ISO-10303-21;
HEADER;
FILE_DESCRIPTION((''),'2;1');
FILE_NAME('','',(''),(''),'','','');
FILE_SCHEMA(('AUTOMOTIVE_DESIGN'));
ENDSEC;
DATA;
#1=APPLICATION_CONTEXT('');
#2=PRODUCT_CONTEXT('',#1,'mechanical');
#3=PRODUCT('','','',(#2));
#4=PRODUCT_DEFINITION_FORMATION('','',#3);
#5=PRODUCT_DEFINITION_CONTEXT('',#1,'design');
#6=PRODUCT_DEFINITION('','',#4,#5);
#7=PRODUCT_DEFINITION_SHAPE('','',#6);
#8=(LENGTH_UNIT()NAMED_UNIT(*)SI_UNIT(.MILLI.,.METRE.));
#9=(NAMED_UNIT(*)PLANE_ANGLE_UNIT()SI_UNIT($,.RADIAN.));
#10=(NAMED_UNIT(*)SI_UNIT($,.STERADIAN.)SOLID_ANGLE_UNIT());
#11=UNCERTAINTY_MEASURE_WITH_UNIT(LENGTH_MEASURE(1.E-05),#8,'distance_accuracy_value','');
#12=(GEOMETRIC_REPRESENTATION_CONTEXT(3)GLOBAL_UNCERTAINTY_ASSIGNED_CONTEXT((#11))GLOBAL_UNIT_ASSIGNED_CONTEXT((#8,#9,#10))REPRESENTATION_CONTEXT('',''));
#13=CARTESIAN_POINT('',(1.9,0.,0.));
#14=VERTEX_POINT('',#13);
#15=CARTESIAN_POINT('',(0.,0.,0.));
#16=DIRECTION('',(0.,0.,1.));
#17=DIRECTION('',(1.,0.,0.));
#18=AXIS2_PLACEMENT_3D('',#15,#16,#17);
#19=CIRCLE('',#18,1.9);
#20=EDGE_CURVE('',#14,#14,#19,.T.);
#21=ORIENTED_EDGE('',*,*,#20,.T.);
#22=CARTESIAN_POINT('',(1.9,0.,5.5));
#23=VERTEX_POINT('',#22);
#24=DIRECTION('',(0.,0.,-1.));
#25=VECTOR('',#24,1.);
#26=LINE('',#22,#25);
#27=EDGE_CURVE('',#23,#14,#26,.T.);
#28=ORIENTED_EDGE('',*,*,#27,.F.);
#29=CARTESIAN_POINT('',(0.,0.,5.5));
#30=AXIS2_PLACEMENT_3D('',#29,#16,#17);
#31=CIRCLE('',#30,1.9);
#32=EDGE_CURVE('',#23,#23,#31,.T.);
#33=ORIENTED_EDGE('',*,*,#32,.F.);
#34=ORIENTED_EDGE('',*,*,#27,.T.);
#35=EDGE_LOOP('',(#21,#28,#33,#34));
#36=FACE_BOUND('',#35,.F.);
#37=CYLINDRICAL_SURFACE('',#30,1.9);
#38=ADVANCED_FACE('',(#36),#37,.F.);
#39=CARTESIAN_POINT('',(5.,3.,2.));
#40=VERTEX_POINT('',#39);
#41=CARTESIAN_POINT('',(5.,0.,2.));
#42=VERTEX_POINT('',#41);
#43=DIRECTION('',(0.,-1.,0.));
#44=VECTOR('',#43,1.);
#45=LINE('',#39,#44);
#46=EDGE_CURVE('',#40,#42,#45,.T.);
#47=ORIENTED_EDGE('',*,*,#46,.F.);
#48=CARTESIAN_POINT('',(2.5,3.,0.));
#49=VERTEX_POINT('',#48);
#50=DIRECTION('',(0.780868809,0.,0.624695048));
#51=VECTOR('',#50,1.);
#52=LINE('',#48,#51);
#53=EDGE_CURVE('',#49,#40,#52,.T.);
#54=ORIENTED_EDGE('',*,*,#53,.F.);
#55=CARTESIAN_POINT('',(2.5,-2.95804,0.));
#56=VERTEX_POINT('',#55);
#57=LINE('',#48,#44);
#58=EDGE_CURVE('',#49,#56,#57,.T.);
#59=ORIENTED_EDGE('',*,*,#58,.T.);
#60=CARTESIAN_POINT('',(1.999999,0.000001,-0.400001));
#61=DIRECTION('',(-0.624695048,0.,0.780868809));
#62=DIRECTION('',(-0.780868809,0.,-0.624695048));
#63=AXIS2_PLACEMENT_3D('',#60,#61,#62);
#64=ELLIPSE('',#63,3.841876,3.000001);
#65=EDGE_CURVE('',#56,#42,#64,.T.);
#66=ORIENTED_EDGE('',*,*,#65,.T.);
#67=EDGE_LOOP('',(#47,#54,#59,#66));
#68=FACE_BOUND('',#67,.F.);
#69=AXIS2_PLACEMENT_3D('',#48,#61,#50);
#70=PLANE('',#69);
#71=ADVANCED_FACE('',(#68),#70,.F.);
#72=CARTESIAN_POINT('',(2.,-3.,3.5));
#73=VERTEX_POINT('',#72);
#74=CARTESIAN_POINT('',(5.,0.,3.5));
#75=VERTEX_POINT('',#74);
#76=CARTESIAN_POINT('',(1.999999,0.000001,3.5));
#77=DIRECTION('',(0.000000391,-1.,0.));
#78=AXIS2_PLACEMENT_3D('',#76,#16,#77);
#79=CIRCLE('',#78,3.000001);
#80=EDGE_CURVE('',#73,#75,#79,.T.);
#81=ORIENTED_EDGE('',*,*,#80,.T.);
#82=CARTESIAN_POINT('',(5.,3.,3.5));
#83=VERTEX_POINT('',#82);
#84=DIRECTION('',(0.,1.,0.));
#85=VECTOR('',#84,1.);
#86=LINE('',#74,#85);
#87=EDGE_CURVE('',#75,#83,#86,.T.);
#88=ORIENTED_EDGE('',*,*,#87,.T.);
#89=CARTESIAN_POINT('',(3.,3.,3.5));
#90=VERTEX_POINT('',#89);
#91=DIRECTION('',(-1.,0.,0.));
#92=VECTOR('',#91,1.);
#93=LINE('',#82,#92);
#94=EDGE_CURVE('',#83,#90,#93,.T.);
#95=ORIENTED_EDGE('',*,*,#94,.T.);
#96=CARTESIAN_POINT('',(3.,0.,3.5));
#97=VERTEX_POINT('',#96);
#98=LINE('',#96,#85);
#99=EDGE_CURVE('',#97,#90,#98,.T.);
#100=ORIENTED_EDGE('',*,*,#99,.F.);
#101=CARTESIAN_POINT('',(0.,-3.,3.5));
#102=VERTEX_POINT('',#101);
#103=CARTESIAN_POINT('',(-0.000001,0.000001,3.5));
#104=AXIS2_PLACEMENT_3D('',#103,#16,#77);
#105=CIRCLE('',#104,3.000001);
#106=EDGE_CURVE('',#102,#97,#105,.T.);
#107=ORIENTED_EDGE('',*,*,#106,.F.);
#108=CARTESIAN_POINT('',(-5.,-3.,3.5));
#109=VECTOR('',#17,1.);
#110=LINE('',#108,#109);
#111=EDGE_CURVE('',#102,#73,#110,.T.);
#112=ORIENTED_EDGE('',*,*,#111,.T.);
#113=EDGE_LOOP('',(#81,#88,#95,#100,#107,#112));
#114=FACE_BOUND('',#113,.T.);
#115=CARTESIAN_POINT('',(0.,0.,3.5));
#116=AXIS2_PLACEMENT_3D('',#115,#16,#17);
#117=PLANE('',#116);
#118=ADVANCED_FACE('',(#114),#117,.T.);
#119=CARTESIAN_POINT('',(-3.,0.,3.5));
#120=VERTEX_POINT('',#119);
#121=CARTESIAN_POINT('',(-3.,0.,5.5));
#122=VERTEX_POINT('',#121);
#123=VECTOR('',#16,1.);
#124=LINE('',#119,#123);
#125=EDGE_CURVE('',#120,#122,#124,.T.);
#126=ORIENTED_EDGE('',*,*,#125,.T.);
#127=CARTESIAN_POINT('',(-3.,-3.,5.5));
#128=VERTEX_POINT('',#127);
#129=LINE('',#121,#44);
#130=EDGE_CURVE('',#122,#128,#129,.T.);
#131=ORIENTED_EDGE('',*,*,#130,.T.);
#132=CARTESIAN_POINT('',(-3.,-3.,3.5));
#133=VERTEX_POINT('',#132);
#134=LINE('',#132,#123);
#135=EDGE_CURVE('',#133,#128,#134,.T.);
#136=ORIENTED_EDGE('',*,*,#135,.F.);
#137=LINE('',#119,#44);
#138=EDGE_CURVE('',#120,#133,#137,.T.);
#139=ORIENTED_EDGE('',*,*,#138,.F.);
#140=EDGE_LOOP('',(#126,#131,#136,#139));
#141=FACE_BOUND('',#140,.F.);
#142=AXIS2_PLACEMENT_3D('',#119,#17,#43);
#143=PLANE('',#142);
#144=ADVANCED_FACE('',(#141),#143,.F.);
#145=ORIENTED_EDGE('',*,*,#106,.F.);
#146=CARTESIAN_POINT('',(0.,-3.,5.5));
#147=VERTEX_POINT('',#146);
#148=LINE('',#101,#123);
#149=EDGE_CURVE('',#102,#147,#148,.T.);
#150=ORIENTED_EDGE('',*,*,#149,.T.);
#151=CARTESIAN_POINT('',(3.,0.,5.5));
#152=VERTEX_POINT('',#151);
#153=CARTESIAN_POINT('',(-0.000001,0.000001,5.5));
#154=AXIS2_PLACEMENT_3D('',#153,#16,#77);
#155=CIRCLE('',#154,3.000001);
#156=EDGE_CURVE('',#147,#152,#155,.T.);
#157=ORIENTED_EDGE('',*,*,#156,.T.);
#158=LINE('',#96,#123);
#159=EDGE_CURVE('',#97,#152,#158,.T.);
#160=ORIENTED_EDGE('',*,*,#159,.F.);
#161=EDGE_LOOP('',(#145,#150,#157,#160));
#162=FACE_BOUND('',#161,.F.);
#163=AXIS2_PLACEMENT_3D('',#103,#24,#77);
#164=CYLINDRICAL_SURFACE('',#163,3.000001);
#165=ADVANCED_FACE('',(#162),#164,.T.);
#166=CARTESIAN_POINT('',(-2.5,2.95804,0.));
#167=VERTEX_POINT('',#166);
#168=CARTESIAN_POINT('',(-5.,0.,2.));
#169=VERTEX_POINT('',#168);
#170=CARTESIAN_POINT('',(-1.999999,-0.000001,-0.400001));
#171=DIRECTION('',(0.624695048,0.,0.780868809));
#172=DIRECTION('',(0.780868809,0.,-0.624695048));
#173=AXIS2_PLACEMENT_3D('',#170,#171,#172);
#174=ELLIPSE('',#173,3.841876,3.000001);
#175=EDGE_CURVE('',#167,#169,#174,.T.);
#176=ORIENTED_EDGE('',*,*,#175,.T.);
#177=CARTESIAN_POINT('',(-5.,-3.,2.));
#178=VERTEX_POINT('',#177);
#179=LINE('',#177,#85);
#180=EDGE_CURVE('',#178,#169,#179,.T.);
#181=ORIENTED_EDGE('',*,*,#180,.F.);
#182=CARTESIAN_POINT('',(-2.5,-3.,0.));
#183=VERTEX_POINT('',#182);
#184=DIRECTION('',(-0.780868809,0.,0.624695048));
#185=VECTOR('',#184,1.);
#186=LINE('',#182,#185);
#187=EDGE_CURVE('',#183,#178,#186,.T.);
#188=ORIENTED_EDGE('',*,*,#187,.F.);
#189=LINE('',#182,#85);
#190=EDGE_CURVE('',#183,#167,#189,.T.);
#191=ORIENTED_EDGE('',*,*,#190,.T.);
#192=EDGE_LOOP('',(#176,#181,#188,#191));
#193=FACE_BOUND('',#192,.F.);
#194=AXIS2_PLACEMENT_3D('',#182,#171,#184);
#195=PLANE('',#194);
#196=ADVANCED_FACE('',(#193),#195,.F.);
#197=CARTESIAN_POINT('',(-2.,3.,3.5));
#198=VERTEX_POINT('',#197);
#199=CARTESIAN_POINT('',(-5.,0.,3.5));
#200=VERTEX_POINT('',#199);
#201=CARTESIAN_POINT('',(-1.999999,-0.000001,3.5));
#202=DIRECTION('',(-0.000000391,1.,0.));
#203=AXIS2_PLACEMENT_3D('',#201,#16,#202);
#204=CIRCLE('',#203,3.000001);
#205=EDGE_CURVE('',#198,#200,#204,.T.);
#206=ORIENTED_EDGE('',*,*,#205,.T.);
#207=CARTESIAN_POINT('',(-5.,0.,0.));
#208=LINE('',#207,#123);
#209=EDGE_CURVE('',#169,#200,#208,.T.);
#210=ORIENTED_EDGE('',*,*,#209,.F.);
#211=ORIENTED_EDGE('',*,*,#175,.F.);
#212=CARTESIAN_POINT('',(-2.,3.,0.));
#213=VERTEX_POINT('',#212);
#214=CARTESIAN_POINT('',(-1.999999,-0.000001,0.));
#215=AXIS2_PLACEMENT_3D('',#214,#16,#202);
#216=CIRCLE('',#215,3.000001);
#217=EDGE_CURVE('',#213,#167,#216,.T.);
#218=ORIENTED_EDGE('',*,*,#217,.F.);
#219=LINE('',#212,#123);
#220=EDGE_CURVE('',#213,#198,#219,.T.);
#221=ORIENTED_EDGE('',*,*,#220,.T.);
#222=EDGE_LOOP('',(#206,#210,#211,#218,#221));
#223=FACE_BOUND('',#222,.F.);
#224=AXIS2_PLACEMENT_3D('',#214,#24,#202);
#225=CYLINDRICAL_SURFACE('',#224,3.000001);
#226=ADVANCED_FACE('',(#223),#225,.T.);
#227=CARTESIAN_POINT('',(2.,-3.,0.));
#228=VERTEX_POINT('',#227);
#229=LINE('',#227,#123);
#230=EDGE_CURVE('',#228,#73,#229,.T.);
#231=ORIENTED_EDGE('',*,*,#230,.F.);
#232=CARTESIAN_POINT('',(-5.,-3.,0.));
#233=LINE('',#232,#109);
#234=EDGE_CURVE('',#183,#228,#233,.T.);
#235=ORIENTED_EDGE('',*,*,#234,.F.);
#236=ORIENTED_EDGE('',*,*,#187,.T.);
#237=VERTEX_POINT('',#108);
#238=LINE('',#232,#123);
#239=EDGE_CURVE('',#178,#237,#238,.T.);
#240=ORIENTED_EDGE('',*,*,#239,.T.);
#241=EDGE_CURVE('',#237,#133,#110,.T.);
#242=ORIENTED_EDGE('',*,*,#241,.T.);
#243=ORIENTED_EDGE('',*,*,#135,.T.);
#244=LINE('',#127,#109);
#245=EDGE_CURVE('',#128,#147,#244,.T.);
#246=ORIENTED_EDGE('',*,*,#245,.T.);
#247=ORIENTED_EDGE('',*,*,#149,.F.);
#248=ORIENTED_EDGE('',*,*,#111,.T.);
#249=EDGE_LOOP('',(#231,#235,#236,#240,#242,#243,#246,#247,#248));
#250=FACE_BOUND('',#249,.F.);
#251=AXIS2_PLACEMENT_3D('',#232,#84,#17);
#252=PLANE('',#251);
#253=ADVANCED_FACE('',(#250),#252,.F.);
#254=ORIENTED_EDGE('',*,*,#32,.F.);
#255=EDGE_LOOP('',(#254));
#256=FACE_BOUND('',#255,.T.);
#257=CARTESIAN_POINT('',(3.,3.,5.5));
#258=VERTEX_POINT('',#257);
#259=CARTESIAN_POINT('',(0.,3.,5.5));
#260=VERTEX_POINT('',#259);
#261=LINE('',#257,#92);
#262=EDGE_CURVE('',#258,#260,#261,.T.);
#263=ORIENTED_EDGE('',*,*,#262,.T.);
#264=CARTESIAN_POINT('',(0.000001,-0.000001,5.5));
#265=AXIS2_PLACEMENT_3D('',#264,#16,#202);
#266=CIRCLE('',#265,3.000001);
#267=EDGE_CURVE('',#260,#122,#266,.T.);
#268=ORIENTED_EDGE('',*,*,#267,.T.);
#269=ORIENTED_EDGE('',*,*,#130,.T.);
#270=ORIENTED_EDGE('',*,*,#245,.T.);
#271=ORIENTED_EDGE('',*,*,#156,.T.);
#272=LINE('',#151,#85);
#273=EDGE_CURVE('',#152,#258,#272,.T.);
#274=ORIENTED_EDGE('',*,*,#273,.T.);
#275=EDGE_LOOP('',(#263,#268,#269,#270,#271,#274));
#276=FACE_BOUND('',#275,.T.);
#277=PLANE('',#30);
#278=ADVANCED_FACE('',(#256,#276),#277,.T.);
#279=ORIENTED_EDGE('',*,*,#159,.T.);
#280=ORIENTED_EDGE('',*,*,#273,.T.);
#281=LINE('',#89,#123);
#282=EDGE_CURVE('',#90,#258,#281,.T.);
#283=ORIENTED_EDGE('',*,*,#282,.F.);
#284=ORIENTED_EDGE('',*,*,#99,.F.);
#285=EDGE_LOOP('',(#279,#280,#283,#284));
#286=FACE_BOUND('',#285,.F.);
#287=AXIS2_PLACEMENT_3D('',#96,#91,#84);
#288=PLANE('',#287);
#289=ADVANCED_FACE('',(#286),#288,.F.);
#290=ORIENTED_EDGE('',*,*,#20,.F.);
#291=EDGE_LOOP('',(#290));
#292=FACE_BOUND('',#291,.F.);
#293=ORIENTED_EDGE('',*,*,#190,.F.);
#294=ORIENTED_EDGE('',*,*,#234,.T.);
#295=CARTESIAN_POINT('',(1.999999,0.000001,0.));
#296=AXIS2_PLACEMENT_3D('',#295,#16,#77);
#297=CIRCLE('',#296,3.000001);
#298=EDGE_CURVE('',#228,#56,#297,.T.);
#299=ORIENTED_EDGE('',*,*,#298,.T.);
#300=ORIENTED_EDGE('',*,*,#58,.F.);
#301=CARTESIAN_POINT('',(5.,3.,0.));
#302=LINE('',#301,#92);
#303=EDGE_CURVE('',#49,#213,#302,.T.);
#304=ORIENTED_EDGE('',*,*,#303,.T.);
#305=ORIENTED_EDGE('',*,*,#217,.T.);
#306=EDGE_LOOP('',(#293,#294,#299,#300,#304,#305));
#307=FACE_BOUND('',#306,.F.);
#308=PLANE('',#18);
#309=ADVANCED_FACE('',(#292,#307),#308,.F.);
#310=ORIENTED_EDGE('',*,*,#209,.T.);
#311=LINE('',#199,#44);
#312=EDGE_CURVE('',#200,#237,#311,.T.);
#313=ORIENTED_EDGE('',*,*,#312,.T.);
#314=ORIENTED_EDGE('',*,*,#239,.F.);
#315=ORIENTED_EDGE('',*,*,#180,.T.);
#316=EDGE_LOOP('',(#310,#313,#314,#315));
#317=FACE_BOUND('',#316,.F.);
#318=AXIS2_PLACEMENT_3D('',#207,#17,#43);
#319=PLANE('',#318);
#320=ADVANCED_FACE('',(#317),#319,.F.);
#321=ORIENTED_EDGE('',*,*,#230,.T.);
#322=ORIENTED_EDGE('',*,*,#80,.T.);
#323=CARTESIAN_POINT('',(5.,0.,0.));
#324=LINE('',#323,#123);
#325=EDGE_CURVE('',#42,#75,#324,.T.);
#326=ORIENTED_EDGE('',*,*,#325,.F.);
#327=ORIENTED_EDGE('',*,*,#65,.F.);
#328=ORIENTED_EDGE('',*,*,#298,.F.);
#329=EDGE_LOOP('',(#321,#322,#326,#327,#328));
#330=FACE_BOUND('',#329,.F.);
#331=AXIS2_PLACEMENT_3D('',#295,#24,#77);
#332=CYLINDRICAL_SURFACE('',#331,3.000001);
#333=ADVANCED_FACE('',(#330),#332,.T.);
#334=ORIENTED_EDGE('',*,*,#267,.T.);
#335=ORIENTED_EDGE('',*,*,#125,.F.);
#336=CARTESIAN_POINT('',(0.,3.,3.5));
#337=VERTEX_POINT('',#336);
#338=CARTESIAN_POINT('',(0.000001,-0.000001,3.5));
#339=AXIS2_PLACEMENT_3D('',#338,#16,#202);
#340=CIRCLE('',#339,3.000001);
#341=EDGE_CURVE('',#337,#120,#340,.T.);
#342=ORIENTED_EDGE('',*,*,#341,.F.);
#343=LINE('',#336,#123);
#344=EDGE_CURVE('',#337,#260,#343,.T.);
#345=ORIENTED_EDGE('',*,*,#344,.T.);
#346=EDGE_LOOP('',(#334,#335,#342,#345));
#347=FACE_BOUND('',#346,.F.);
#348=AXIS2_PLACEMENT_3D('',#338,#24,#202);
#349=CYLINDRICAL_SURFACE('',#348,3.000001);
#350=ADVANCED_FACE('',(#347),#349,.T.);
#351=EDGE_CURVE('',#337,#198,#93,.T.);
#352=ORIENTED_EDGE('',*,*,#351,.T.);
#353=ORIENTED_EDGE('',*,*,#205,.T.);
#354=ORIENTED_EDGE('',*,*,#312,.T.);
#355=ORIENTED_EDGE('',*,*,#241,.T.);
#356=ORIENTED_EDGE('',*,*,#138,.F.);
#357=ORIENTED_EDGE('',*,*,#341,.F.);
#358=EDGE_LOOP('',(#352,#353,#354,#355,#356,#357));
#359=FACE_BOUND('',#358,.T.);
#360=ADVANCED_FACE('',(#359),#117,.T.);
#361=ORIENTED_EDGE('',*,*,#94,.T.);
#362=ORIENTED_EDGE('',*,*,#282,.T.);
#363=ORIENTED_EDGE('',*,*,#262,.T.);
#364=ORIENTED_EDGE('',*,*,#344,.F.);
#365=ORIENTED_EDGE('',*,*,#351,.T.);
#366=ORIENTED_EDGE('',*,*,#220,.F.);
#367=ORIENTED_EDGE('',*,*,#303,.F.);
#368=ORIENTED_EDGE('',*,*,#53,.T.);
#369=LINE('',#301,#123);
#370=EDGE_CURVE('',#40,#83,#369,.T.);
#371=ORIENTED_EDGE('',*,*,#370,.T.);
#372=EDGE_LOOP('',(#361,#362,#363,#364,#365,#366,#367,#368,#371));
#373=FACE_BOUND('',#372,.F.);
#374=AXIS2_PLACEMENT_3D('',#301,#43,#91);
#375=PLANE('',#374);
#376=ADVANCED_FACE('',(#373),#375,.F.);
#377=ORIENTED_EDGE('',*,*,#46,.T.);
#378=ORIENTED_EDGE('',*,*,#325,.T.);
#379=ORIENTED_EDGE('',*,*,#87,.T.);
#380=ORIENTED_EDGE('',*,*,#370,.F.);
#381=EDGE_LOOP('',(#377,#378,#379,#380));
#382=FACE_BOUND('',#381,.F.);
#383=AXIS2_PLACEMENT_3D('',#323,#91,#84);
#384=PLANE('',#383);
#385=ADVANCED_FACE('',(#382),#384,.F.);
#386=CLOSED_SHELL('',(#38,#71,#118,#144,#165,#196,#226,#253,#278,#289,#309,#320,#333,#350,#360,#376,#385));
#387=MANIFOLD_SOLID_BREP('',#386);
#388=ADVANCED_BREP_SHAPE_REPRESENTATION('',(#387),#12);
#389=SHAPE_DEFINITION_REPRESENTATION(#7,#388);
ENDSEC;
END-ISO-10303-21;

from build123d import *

# Parameters (mm, degrees)
F1_DEPTH = 3.5
F3_DEPTH = 2
F4_R     = 1.9
F5_DEPTH = 25
F7_DEPTH = 25
F9_DEPTH = 25


with BuildPart() as f1:
    # F0 (on Top) → F1 (new body)
    with BuildSketch(Plane.XY):
        with BuildLine():
            Line((-5, 0), (-5, -3))
            Line((-5, -3), (2, -3))
            ThreePointArc((2, -3), (4.12132, -2.12132), (5, 0))
            Line((5, 0), (5, 3))
            Line((5, 3), (-2, 3))
            ThreePointArc((-2, 3), (-4.12132, 2.12132), (-5, 0))
        make_face()
    extrude(amount=F1_DEPTH)

    # F2 (on face) → F3 (join)
    with BuildSketch(Plane.XY.offset(3.5)):
        with BuildLine():
            Line((3, 0), (3, 3))
            Line((3, 3), (0, 3))
            ThreePointArc((0, 3), (-2.12132, 2.12132), (-3, 0))
            Line((-3, 0), (-3, -3))
            Line((-3, -3), (0, -3))
            ThreePointArc((0, -3), (2.12132, -2.12132), (3, 0))
        make_face()
    extrude(amount=F3_DEPTH)

    # F4 (on face) → F5 (cut)
    with BuildSketch(Plane.XY.offset(5.5)):
        Circle(F4_R)
    extrude(amount=-F5_DEPTH, mode=Mode.SUBTRACT)

    # F6 (on face) → F7 (cut)
    with BuildSketch(Plane.XZ.offset(3)):
        Polygon((-2.5, 0), (-5, 2), (-5, 0), align=None)
    extrude(amount=-F7_DEPTH, mode=Mode.SUBTRACT)

    # F8 (on face) → F9 (cut)
    with BuildSketch(Plane(origin=(0, 3, 0), x_dir=(-1, 0, 0), z_dir=(0, 1, 0))):
        Polygon((-5, 0), (-2.5, 0), (-5, 2), align=None)
    extrude(amount=-F9_DEPTH, mode=Mode.SUBTRACT)


solid = f1.part
